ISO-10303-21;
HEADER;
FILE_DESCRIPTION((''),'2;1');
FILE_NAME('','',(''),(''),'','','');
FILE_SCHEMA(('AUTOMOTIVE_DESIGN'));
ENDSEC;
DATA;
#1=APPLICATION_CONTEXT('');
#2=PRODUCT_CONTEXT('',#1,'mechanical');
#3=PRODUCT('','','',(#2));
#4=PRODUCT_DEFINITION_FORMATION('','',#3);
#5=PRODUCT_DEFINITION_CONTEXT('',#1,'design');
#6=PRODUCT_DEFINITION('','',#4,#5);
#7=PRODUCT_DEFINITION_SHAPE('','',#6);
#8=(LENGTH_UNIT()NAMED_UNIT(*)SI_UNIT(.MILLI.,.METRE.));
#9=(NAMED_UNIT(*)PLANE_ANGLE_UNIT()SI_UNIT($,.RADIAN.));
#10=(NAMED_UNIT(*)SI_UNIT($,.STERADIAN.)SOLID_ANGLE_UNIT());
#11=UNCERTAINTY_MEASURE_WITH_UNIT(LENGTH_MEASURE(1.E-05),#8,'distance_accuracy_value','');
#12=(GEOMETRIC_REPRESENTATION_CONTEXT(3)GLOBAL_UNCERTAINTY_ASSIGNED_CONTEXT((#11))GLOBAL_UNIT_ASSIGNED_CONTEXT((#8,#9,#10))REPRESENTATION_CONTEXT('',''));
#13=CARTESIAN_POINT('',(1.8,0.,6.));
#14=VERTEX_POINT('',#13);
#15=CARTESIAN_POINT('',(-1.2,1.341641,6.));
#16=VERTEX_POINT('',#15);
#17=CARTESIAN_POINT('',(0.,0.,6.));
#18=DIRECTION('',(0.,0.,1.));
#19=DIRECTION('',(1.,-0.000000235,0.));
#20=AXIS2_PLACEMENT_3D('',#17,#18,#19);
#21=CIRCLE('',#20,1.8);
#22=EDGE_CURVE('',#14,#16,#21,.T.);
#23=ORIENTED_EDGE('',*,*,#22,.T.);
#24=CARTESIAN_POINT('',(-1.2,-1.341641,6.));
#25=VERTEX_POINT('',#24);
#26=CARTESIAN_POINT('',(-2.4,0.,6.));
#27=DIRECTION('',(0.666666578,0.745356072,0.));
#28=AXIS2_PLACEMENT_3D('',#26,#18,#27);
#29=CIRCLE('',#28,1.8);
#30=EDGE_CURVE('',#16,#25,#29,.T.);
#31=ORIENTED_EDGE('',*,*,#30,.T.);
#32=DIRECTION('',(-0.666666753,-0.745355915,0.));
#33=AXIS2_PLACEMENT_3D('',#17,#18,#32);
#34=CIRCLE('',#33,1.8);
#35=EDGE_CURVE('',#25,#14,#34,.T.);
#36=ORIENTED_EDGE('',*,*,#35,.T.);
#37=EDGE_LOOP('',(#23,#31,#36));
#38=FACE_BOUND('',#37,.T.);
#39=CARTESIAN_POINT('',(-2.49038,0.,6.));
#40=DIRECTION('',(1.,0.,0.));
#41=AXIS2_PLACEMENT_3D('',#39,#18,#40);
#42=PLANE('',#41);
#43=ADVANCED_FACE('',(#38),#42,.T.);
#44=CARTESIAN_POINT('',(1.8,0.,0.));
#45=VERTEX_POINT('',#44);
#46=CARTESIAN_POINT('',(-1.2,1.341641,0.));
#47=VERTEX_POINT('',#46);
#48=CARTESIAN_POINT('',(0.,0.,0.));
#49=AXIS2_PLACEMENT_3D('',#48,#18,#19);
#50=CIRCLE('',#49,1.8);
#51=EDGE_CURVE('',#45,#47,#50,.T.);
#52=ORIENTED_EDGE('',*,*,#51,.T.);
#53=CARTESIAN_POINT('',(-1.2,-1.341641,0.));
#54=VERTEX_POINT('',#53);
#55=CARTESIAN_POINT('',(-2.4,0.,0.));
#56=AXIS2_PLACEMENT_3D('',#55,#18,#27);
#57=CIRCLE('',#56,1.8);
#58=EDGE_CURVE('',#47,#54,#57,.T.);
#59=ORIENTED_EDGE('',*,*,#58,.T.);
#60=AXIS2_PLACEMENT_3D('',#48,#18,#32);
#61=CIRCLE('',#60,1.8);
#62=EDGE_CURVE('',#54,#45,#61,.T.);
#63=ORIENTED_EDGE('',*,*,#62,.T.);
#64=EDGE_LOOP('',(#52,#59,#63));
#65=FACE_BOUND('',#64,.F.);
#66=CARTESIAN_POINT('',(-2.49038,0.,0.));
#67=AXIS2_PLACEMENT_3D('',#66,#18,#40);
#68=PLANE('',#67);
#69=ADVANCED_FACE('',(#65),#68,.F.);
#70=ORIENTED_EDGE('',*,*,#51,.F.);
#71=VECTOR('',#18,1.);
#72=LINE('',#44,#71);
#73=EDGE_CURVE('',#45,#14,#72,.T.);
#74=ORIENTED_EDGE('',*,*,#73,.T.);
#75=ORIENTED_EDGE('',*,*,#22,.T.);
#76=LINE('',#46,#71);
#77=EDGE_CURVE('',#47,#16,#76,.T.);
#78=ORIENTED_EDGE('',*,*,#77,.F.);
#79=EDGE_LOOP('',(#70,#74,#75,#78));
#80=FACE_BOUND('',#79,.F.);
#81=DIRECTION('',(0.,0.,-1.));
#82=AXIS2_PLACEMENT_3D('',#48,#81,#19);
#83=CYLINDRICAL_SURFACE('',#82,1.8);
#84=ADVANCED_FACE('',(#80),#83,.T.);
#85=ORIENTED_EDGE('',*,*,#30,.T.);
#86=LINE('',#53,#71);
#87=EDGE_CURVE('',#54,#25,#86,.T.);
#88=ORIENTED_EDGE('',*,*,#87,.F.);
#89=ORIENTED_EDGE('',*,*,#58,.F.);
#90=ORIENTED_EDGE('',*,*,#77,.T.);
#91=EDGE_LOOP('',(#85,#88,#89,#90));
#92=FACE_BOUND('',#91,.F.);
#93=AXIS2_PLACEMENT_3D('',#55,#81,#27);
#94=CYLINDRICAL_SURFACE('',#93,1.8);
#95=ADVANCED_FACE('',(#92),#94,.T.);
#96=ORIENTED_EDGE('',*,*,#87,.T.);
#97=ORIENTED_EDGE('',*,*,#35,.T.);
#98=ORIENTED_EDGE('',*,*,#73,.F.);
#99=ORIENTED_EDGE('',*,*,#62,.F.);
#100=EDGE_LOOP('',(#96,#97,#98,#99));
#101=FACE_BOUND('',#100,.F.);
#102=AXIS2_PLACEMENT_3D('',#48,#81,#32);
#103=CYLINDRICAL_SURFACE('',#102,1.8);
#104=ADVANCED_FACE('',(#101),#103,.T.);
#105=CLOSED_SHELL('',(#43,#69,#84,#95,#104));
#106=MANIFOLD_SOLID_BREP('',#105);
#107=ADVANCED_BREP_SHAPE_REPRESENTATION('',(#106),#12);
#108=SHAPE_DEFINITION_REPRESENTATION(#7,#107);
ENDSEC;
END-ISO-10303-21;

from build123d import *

# Parameters (mm, degrees)
F1_DEPTH = 6


with BuildPart() as f1:
    # F0 (on Top) → F1 (new body)
    with BuildSketch(Plane.XY):
        with BuildLine():
            ThreePointArc((-1.2, -1.341641), (-1.8, 0), (-1.2, 1.341641))
            ThreePointArc((-1.2, 1.341641), (-4.2, 0), (-1.2, -1.341641))
        make_face()
        with BuildLine():
            ThreePointArc((-1.2, -1.341641), (-0.756832, -0.734847), (-0.6, 0))
            ThreePointArc((-0.6, 0), (-0.756832, 0.734847), (-1.2, 1.341641))
            ThreePointArc((-1.2, 1.341641), (-1.8, 0), (-1.2, -1.341641))
        make_face()
        with BuildLine():
            ThreePointArc((-1.2, 1.341641), (-0.756832, 0.734847), (-0.6, 0))
            ThreePointArc((-0.6, 0), (-0.756832, -0.734847), (-1.2, -1.341641))
            ThreePointArc((-1.2, -1.341641), (0.734847, -1.643168), (1.8, 0))
            ThreePointArc((1.8, 0), (0.734847, 1.643168), (-1.2, 1.341641))
        make_face()
    extrude(amount=F1_DEPTH)


solid = f1.part
